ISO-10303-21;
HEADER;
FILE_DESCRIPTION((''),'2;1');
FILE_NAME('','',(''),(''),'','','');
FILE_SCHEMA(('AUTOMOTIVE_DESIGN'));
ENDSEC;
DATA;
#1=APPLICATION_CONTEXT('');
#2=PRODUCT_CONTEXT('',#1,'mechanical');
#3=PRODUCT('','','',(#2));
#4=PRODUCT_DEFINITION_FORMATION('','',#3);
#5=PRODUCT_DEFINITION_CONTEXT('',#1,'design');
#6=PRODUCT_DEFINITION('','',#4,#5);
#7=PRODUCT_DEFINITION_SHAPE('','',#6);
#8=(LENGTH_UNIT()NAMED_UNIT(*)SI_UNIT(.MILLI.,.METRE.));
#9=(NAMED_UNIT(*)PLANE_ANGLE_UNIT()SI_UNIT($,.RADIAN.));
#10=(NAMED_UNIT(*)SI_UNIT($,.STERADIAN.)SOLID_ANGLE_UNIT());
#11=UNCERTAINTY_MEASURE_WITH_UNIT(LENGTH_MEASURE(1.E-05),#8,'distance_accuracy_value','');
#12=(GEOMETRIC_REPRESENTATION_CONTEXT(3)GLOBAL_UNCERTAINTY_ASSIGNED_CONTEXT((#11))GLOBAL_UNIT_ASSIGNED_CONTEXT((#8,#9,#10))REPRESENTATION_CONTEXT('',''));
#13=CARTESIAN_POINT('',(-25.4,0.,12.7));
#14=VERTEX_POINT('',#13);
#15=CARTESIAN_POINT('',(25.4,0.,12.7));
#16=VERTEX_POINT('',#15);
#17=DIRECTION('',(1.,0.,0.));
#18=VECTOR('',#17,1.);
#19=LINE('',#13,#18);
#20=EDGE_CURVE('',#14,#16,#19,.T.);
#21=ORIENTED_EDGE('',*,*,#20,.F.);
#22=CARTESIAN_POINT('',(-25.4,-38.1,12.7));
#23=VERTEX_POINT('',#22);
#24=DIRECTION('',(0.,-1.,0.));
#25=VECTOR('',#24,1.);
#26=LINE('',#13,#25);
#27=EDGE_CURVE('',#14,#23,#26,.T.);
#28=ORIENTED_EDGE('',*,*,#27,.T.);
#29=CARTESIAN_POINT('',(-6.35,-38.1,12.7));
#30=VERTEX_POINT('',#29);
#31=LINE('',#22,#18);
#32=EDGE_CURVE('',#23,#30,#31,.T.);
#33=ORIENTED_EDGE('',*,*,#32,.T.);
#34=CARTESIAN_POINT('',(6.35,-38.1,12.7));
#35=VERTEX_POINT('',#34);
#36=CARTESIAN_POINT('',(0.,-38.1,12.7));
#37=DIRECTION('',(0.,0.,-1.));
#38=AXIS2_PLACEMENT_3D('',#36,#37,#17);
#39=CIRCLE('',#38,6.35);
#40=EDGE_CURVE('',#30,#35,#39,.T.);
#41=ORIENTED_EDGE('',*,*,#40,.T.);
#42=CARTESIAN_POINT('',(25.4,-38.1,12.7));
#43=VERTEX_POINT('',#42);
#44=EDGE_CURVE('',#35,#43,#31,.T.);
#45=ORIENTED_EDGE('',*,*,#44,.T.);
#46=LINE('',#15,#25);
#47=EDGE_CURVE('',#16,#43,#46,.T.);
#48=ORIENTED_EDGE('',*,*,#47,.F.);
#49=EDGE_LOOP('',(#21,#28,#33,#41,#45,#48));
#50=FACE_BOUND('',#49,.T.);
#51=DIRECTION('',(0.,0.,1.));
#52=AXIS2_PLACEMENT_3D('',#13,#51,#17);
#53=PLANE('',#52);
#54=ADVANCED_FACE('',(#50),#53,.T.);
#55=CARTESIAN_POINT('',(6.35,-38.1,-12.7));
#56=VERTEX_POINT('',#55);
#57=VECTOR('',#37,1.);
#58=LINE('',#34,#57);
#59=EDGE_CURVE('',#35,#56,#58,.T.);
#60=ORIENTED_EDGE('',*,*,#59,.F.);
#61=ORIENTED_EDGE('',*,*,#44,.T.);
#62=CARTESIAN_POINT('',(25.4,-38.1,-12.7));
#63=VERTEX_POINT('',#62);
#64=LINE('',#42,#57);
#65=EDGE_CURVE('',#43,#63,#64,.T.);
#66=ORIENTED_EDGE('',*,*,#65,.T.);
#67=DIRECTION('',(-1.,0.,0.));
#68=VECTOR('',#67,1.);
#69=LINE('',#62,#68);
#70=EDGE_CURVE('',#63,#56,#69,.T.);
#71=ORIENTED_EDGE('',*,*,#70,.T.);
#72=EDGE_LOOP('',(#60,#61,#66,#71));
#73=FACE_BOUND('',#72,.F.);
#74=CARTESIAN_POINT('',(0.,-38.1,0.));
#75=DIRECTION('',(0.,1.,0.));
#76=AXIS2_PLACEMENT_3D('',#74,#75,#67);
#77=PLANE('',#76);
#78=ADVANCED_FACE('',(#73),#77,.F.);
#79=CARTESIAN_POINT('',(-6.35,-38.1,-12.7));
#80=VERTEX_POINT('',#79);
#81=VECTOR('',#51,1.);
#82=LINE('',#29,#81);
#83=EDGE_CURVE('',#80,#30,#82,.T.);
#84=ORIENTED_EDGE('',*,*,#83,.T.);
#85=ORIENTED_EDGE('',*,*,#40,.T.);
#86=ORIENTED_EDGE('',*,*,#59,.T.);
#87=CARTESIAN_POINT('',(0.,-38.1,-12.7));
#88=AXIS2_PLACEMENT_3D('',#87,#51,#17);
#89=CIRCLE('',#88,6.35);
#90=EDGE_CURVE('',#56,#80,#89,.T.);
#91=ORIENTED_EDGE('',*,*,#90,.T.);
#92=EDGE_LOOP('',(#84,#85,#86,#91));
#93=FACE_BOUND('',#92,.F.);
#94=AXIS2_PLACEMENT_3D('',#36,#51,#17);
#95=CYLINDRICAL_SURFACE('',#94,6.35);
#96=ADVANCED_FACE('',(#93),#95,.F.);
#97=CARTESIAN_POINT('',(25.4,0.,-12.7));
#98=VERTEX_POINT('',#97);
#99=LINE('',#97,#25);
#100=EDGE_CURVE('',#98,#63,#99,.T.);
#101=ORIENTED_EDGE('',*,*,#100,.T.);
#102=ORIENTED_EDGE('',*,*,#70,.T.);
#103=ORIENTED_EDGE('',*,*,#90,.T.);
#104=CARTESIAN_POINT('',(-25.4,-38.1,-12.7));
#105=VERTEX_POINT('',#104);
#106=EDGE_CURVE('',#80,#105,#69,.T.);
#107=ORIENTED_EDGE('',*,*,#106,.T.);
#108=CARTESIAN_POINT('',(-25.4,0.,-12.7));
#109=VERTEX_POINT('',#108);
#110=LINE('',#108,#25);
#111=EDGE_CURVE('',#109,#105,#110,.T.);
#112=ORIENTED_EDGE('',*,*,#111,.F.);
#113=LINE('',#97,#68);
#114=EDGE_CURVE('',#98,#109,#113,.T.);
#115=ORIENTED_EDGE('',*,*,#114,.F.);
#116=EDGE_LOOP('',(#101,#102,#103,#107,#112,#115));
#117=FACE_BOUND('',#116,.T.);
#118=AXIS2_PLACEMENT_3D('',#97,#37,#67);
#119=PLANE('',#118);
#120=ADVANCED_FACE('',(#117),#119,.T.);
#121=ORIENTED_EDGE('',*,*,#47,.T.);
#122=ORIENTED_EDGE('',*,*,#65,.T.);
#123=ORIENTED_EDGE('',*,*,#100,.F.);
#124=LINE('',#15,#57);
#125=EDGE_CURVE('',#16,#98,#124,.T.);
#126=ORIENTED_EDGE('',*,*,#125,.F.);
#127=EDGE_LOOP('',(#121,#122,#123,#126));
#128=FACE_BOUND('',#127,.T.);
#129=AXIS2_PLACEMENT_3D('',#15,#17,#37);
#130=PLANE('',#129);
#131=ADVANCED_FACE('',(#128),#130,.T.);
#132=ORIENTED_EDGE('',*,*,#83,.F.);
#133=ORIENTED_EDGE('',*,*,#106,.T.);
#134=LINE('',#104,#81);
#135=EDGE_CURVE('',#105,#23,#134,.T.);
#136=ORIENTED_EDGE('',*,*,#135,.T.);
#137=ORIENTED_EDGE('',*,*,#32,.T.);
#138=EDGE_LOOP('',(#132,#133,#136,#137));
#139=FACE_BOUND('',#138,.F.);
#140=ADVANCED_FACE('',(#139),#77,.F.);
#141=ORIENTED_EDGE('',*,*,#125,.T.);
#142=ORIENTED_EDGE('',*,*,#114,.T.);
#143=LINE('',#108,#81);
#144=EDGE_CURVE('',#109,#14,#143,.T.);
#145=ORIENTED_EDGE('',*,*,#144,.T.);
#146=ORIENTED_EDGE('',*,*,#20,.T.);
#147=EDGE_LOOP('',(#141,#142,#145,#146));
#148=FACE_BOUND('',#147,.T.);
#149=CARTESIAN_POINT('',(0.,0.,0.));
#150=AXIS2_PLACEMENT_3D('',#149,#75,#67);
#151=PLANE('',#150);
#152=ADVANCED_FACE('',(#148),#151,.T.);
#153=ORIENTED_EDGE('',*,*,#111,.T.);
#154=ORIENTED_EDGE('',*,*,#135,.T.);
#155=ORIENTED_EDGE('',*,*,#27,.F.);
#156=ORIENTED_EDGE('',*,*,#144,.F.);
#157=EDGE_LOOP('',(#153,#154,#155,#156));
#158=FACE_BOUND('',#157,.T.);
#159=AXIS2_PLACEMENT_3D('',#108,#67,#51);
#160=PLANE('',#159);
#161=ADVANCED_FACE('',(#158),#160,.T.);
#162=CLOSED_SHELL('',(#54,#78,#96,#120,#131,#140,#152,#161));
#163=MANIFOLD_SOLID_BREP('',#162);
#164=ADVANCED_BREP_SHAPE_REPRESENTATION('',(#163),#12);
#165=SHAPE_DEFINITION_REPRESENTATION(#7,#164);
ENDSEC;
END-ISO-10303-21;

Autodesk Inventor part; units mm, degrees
ref_plane "YZ Plane" through (0, 0, 0) normal (1, 0, 0) x (0, 1, 0)
ref_plane "XZ Plane" through (0, 0, 0) normal (0, 1, 0) x (-1, 0, 0)
ref_plane "XY Plane" through (0, 0, 0) normal (0, 0, 1) x (1, 0, 0)
sketch "Sketch1" plane through (0, 0, 0) normal (0, 1, 0) x (-1, 0, 0)
  line L0 (25.4, 12.7) -> (-25.4, 12.7)
  line L1 (-25.4, 12.7) -> (-25.4, -12.7)
  line L2 (-25.4, -12.7) -> (25.4, -12.7)
  line L3 (25.4, -12.7) -> (25.4, 12.7)
  line L4 (25.4, 12.7) -> (-25.4, -12.7) construction
  line L5 (-25.4, 12.7) -> (25.4, -12.7) construction
  point P0 (0, 0)
  dimension "d0" = 25.4
  dimension "d1" = 50.8
extrude "Extrusion1" add sketch "Sketch1" against normal blind 38.1
sketch "Sketch2" plane through (-25.4, 0, 12.7) normal (0, 0, 1) x (1, 0, 0)
  line L0 (50.8, -38.1) -> (0, -38.1) projected
  circle A0 centre (25.4, -38.1) radius 6.35
  point P0 (25.4, 0)
  dimension "d4" = 12.7
extrude "Extrusion2" cut sketch "Sketch2" against normal through all
properties part number "StandAloneLift"
